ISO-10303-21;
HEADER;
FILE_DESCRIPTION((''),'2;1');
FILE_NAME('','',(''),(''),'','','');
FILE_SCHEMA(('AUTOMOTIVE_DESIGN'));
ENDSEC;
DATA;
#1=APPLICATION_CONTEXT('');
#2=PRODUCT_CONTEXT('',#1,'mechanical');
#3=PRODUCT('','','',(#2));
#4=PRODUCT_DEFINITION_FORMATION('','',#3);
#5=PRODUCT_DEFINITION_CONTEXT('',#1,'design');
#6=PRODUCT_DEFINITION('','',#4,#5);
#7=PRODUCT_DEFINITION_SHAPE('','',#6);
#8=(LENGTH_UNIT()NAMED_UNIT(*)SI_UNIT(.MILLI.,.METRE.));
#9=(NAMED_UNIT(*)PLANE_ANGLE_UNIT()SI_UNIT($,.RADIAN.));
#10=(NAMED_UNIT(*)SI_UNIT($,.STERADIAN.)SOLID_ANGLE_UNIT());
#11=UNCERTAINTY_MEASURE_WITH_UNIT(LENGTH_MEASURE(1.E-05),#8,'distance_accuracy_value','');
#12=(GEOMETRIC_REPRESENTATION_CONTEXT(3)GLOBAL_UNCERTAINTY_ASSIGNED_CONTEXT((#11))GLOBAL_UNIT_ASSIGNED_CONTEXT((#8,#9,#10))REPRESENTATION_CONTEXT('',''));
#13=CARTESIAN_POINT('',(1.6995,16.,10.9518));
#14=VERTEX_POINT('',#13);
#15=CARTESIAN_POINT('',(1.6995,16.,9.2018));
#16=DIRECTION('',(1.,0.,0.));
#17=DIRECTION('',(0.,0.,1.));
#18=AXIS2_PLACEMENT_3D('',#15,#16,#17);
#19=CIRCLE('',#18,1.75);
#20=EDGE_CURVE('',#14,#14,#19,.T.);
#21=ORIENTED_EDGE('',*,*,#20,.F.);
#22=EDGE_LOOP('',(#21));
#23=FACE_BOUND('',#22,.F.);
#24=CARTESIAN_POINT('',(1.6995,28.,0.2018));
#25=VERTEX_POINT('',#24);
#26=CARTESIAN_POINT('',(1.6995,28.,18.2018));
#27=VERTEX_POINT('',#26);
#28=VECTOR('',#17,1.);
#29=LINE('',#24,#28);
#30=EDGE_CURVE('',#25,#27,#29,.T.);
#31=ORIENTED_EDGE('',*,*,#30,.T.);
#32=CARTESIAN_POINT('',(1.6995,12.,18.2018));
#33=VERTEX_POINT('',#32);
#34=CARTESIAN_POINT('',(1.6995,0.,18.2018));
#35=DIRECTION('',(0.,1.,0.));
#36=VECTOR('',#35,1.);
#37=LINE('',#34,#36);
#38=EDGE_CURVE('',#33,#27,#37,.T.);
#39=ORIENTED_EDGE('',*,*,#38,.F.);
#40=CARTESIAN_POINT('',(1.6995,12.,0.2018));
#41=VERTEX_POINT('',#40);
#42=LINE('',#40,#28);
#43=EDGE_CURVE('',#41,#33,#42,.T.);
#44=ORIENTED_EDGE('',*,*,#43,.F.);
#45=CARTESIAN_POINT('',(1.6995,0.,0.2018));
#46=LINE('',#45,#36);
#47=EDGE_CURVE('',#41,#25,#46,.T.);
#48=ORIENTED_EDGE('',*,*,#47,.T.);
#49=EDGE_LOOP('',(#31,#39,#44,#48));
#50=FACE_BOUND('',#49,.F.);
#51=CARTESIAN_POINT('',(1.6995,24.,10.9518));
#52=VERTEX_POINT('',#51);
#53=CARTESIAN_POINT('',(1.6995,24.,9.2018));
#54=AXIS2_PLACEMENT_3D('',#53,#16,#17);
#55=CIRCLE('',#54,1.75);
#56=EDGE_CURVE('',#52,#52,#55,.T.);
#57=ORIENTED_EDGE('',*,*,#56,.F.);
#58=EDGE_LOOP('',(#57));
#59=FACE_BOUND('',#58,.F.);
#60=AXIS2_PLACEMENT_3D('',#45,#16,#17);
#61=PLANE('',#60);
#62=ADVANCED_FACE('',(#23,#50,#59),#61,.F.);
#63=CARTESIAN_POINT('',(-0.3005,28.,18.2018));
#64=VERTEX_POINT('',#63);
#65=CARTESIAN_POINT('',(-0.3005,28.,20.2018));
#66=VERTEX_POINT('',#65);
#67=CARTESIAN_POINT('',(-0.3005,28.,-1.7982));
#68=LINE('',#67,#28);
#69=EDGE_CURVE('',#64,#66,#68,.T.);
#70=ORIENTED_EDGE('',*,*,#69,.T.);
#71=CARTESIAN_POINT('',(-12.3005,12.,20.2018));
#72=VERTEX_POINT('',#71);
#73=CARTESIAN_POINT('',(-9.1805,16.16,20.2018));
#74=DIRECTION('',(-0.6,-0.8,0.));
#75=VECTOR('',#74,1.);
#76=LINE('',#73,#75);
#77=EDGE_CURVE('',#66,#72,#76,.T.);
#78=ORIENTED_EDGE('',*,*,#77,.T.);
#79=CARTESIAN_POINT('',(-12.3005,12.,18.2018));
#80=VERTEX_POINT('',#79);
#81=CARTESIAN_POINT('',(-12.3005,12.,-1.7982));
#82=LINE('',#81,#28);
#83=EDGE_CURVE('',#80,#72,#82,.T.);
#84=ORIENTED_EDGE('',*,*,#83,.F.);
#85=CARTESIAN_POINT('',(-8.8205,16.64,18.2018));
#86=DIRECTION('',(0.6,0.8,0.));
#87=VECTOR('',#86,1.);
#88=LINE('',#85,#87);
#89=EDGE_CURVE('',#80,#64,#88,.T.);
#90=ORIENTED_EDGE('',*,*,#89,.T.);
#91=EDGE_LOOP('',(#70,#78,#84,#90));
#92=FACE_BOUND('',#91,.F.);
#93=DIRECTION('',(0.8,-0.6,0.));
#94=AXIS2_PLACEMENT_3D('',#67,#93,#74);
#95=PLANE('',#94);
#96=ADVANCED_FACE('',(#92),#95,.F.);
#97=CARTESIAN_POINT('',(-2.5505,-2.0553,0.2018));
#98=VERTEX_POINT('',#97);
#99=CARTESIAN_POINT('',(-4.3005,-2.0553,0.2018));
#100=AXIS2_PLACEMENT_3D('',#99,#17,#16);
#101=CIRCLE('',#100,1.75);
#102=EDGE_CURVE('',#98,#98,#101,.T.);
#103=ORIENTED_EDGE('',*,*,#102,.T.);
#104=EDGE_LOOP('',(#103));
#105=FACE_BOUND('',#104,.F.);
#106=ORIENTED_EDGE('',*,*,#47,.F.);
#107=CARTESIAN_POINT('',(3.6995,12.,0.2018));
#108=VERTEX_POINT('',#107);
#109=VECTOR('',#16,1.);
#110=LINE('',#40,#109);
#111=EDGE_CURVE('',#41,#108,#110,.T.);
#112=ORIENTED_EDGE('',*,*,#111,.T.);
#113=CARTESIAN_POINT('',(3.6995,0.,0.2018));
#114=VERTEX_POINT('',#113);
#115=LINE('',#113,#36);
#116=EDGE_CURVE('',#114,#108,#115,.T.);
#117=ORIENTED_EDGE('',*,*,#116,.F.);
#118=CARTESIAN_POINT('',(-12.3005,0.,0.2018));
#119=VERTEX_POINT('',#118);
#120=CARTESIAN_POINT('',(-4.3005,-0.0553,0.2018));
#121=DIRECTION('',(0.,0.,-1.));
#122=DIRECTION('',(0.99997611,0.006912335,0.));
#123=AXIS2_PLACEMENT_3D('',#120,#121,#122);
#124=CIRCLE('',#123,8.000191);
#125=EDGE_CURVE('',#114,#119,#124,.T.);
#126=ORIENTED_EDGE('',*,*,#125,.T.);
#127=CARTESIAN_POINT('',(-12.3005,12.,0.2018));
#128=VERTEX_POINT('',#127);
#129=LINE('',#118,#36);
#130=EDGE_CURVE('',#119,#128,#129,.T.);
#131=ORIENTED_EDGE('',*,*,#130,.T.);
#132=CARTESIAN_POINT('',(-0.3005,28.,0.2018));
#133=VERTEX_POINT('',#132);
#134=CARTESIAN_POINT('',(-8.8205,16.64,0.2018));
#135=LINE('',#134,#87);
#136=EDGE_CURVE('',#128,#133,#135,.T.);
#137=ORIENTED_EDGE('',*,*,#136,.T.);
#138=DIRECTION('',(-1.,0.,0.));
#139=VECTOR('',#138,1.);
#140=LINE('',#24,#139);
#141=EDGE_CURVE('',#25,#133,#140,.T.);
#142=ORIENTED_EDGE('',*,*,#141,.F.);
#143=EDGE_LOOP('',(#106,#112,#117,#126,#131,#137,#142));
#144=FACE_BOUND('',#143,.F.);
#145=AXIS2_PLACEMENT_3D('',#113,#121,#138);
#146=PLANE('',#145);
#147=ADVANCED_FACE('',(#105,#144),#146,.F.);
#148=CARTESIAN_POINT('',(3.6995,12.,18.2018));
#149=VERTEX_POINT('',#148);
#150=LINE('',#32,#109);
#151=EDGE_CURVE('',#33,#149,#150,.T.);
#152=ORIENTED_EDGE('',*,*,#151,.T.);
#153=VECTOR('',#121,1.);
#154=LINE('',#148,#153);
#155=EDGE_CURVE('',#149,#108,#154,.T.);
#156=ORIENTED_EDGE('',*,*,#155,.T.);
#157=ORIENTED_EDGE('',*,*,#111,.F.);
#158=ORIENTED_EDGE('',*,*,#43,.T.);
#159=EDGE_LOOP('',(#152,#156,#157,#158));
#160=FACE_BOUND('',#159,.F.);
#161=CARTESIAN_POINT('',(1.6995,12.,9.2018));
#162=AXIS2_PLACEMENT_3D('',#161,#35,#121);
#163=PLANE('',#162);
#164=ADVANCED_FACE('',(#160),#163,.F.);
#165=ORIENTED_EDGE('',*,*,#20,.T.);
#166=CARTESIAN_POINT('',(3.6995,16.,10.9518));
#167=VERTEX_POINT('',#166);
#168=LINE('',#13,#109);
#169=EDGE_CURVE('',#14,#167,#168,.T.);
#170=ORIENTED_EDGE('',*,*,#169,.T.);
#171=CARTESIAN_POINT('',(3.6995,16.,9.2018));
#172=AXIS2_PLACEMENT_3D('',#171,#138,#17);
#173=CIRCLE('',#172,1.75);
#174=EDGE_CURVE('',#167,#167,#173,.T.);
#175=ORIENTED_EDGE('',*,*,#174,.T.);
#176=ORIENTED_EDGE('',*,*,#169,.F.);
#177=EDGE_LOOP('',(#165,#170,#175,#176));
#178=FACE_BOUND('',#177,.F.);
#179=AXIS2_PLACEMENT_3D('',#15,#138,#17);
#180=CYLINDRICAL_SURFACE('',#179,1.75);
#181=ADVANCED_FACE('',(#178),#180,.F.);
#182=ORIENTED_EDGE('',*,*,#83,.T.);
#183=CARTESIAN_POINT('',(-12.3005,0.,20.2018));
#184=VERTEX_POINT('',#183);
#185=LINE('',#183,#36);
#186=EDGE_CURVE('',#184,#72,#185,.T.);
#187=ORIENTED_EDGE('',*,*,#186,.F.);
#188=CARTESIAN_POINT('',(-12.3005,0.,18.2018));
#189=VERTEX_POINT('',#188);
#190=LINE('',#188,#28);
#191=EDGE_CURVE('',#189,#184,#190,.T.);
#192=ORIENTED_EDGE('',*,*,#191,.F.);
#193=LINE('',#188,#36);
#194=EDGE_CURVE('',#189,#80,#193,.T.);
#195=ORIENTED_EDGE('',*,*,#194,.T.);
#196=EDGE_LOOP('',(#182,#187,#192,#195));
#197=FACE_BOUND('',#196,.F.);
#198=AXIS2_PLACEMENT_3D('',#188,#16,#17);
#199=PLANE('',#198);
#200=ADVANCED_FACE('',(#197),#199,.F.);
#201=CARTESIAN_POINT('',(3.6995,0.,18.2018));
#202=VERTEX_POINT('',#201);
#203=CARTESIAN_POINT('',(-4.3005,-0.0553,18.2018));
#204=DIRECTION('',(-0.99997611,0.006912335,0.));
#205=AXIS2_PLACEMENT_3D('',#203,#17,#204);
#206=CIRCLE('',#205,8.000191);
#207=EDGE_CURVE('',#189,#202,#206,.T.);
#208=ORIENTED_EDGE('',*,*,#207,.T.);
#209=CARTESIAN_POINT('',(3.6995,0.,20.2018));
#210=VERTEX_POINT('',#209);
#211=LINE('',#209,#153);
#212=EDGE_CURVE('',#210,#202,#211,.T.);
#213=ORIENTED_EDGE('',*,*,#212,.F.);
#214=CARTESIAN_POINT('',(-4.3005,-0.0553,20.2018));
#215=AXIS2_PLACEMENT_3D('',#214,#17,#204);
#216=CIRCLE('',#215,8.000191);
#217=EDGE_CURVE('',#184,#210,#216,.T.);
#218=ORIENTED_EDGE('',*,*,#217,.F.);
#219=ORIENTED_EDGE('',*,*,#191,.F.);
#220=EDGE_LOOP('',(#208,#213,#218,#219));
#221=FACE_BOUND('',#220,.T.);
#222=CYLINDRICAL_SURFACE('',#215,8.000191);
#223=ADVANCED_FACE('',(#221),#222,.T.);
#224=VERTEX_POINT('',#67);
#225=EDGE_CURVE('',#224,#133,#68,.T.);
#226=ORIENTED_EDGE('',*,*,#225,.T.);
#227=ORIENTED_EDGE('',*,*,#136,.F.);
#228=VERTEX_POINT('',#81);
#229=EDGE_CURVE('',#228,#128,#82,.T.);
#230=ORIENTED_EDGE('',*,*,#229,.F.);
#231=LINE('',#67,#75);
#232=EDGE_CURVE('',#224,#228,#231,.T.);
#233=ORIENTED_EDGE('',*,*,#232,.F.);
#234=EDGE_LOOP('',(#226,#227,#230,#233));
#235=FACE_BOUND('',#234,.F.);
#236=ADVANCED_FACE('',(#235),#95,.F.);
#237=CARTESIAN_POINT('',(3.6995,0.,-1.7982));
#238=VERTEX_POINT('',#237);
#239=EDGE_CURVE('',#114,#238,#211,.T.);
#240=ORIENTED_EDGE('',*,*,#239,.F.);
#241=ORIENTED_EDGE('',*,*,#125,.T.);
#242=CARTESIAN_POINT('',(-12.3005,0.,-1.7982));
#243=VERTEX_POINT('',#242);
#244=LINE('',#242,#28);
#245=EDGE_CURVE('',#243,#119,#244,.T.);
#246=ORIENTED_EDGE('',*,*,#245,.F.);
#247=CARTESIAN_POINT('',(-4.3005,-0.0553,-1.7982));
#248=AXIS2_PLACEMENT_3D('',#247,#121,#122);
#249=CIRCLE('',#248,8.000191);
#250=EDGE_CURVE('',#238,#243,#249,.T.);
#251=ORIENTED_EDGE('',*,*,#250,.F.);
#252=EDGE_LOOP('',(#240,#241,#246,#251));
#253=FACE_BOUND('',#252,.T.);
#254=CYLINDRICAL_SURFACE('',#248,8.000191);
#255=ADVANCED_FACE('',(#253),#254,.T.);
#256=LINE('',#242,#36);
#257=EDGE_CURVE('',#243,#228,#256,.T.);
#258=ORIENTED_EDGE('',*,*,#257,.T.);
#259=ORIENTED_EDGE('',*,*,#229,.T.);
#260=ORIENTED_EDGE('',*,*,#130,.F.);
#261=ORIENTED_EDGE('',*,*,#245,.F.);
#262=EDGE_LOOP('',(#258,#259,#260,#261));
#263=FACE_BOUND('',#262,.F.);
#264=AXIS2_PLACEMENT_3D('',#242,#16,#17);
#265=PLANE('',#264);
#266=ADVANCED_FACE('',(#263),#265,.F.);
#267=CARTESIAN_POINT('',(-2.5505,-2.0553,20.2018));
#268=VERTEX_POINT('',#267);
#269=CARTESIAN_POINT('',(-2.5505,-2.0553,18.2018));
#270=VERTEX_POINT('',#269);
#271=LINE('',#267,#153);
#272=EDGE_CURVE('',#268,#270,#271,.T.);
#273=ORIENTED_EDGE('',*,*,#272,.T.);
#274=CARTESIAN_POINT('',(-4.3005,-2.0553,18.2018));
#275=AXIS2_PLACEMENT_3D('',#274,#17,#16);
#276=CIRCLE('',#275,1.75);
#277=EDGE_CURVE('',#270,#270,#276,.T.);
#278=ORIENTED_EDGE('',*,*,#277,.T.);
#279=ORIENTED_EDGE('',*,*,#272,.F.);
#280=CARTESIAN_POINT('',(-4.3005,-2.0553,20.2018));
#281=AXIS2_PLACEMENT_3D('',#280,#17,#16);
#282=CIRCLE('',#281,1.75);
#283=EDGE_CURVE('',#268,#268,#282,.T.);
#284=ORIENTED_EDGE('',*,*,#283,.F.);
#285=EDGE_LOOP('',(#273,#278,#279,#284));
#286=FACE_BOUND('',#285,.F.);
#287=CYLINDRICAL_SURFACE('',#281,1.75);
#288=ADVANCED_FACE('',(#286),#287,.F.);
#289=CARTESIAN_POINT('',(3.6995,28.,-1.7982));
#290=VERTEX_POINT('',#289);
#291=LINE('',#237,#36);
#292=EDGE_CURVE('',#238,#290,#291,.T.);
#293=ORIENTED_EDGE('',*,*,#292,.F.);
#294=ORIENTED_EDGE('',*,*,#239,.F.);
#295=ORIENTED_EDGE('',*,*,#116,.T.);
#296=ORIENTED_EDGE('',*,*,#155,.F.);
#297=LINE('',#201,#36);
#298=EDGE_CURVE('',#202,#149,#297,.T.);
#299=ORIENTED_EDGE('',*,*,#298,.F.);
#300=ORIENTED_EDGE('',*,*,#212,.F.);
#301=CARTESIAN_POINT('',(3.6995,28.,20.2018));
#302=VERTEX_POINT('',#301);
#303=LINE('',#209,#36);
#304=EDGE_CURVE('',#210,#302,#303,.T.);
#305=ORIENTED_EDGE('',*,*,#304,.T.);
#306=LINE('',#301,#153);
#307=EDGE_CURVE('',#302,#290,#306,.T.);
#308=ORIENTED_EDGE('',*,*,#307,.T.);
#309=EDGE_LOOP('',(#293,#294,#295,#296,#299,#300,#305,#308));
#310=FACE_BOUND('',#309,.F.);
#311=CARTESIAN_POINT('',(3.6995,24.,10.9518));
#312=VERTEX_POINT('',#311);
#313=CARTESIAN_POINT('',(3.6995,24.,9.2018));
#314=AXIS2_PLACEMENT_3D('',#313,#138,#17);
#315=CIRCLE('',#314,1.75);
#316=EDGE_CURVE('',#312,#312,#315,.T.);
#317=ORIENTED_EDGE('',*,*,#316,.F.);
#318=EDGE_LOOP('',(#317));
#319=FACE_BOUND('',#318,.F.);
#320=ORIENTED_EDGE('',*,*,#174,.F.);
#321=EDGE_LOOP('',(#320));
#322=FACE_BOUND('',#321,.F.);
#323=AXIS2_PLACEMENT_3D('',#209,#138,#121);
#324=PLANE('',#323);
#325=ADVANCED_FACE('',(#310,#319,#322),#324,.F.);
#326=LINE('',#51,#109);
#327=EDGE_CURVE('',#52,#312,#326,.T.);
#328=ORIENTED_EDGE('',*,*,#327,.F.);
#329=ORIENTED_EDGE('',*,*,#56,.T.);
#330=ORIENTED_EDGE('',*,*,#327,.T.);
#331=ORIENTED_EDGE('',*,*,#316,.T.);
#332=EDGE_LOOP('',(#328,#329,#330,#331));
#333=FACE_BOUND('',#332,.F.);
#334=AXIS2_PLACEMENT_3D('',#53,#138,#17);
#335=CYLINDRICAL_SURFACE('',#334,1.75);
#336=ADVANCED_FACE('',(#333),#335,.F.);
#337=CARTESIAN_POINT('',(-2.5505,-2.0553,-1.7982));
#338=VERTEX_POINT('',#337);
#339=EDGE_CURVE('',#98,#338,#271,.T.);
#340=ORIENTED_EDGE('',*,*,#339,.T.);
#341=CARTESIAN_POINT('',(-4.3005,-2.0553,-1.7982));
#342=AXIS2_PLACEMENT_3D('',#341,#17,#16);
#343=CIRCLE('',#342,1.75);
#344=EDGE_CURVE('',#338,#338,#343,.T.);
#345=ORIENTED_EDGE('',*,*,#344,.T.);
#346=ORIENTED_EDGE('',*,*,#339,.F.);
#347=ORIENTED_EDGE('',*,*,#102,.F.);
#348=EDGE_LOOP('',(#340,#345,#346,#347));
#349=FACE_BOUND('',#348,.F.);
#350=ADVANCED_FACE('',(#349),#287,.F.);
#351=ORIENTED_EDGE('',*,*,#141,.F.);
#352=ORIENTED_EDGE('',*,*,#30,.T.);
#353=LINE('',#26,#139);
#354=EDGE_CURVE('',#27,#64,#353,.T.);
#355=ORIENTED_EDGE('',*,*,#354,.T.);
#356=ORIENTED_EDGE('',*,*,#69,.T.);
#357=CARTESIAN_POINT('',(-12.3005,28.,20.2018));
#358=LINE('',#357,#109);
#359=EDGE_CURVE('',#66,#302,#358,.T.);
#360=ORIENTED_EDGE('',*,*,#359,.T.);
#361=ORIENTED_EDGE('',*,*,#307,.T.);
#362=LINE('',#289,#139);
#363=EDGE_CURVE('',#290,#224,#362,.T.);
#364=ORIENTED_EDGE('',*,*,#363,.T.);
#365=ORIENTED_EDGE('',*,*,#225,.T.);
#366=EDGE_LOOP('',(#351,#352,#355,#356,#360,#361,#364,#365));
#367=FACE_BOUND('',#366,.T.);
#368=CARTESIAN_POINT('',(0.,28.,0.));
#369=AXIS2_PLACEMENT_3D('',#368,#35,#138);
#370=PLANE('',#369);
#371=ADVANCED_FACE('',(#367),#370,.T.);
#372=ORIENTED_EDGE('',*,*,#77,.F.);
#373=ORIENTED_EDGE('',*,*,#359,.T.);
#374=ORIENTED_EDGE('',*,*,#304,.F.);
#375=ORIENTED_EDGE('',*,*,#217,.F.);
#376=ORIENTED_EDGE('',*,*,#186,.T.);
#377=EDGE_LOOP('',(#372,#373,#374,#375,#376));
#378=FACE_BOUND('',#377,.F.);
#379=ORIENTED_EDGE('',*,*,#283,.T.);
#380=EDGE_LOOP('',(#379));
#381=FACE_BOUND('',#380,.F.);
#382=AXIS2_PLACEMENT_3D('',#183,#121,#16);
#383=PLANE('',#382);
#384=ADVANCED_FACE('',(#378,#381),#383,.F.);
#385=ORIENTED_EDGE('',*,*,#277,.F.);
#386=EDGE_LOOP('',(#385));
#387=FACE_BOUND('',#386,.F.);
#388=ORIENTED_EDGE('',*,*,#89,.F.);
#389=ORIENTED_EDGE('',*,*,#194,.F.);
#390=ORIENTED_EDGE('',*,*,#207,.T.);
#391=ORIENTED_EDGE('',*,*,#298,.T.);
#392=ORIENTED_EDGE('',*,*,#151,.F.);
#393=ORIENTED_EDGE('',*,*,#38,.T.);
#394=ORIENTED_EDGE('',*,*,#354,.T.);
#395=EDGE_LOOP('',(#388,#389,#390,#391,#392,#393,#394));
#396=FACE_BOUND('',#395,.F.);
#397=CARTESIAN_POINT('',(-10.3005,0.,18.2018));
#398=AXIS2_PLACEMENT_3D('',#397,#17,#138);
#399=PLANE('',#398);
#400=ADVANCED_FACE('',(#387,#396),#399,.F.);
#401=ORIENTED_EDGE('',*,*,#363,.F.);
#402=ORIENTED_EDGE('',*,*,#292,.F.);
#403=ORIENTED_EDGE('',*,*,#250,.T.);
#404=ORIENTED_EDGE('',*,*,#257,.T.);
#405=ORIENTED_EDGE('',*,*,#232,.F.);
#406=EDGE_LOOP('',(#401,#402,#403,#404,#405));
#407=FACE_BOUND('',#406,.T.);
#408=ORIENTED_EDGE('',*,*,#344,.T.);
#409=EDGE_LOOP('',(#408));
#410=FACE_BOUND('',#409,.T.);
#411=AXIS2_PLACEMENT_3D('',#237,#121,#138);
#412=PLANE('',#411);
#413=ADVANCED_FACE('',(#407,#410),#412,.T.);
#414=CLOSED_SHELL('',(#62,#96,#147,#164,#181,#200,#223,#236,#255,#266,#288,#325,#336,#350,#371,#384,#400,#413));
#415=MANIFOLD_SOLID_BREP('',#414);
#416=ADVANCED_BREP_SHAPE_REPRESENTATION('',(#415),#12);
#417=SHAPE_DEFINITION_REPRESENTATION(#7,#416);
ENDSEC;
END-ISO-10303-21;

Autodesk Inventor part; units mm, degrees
ref_plane "YZ Plane" through (0, 0, 0) normal (1, 0, 0) x (0, 1, 0)
ref_plane "XZ Plane" through (0, 0, 0) normal (0, 1, 0) x (-1, 0, 0)
ref_plane "XY Plane" through (0, 0, 0) normal (0, 0, 1) x (1, 0, 0)
sketch "Boceto1" plane through (0, 0, 0) normal (0, 1, 0) x (-1, 0, 0)
  line L0 (10.3005, 0.2018) -> (-1.6995, 0.2018)
  line L1 (-1.6995, 0.2018) -> (-1.6995, 18.2018)
  line L2 (-1.6995, 18.2018) -> (10.3005, 18.2018)
  line L3 (12.3005, 20.2018) -> (-3.6995, 20.2018)
  line L4 (-3.6995, 20.2018) -> (-3.6995, -1.7982)
  line L5 (-3.6995, -1.7982) -> (12.3005, -1.7982)
  line L6 (10.3005, 18.2018) -> (12.3005, 18.2018)
  line L7 (10.3005, 0.2018) -> (12.3005, 0.2018)
  line L8 (12.3005, -1.7982) -> (12.3005, 0.2018)
  line L9 (12.3005, 18.2018) -> (12.3005, 20.2018)
  point P0 (0, 0)
  point P1 (0, 0)
  dimension "d0" = 18
  dimension "d1" = 12
extrude "Extrusión1" add sketch "Boceto1" along normal blind 28
sketch "Boceto4" plane through (1.6995, 0, 0.2018) normal (-1, 0, 0) x (0, 0, 1)
  line L0 (18, 0) -> (18, 28) projected
  line L1 (18, 28) -> (18, 12)
  line L2 (18, 12) -> (0, 12)
  line L3 (0, 0) -> (0, 28) projected
  line L4 (18, 28) -> (0, 28)
  line L5 (0, 28) -> (0, 12)
  line L6 (20, 28) -> (-2, 28) projected
  line L7 (9, 28) -> (9, 12)
  circle A0 centre (9, 24) radius 1.75
  circle A1 centre (9, 16) radius 1.75
  line L8 (18, 12) -> (18, 0)
  line L9 (0, 0) -> (18, 0) projected
  line L10 (0, 0) -> (0, 12)
  line L11 (18, 0) -> (0, 0)
  point P0 (-0.2018, 0)
  dimension "d14" = 16
  dimension "d15" = 3.5
  dimension "d16" = 3.5
  dimension "d17" = 4
  dimension "d18" = 4
extrude "Extrusión4" cut sketch "Boceto4" against normal blind 2 contours L9 L3 L2 L0 | A1 L7 | L7 A1 | A0 L7 | L7 A0
sketch "Boceto5" plane through (3.6995, 28, -1.7982) normal (0, 0, -1) x (-1, 0, 0)
  line L0 (0, -28) -> (0, 0) projected
  line L1 (0, 0) -> (4, 0)
  line L2 (16, 0) -> (0, 0) projected
  line L3 (0, 0) -> (0, -16)
  line L4 (0, -16) -> (16, -16)
  line L5 (16, -28) -> (16, 0) projected
  line L6 (4, 0) -> (16, -16)
  line L7 (4, 0) -> (4, -16)
  point P0 (3.6995, -28)
  point P1 (0, -26.5)
  point P2 (16, -26.5)
  dimension "d21" = 4
  dimension "d22" = 16
extrude "Extrusión5" cut sketch "Boceto5" against normal blind 30 contours L2 L5 L6
sketch "Boceto6" plane through (3.6995, 0, -1.7982) normal (0, 0, -1) x (-1, 0, 0)
  line L0 (0, 12) -> (0, 0) projected
  line L1 (16, 0) -> (16, 12) projected
  arc A0 (0, 0) -> (16, 0) centre (8, -0.0553) ccw
  line L2 (16, 0) -> (0, 0) projected
  line L3 (16, 0) -> (0, 0)
  point P0 (3.6995, 0)
sketch "Boceto7" plane through (-12.3005, 0, 20.2018) normal (0, 0, 1) x (1, 0, 0)
  line L0 (0, 12) -> (0, 0)
  line L1 (16, 0) -> (16, 12)
  arc A0 (0, 0) -> (16, 0) centre (8, -0.0553) ccw
  line L2 (0, 0) -> (16, 0) projected
  line L3 (0, 0) -> (16, 0)
  circle A1 centre (8, -2.0553) radius 1.75
  point P0 (12.3005, 0)
  point P1 (3.6995, 0)
  dimension "d30" = 3.5
  dimension "d31" = 2
extrude "Extrusión6" add sketch "Boceto7" against normal blind 2 contours L2 A0 | A1
extrude "Extrusión7" add sketch "Boceto6" against normal blind 2
extrude "Extrusión8" cut sketch "Boceto7" against normal blind 30 contours A1
properties part number "Kit de Sujeción 2"
